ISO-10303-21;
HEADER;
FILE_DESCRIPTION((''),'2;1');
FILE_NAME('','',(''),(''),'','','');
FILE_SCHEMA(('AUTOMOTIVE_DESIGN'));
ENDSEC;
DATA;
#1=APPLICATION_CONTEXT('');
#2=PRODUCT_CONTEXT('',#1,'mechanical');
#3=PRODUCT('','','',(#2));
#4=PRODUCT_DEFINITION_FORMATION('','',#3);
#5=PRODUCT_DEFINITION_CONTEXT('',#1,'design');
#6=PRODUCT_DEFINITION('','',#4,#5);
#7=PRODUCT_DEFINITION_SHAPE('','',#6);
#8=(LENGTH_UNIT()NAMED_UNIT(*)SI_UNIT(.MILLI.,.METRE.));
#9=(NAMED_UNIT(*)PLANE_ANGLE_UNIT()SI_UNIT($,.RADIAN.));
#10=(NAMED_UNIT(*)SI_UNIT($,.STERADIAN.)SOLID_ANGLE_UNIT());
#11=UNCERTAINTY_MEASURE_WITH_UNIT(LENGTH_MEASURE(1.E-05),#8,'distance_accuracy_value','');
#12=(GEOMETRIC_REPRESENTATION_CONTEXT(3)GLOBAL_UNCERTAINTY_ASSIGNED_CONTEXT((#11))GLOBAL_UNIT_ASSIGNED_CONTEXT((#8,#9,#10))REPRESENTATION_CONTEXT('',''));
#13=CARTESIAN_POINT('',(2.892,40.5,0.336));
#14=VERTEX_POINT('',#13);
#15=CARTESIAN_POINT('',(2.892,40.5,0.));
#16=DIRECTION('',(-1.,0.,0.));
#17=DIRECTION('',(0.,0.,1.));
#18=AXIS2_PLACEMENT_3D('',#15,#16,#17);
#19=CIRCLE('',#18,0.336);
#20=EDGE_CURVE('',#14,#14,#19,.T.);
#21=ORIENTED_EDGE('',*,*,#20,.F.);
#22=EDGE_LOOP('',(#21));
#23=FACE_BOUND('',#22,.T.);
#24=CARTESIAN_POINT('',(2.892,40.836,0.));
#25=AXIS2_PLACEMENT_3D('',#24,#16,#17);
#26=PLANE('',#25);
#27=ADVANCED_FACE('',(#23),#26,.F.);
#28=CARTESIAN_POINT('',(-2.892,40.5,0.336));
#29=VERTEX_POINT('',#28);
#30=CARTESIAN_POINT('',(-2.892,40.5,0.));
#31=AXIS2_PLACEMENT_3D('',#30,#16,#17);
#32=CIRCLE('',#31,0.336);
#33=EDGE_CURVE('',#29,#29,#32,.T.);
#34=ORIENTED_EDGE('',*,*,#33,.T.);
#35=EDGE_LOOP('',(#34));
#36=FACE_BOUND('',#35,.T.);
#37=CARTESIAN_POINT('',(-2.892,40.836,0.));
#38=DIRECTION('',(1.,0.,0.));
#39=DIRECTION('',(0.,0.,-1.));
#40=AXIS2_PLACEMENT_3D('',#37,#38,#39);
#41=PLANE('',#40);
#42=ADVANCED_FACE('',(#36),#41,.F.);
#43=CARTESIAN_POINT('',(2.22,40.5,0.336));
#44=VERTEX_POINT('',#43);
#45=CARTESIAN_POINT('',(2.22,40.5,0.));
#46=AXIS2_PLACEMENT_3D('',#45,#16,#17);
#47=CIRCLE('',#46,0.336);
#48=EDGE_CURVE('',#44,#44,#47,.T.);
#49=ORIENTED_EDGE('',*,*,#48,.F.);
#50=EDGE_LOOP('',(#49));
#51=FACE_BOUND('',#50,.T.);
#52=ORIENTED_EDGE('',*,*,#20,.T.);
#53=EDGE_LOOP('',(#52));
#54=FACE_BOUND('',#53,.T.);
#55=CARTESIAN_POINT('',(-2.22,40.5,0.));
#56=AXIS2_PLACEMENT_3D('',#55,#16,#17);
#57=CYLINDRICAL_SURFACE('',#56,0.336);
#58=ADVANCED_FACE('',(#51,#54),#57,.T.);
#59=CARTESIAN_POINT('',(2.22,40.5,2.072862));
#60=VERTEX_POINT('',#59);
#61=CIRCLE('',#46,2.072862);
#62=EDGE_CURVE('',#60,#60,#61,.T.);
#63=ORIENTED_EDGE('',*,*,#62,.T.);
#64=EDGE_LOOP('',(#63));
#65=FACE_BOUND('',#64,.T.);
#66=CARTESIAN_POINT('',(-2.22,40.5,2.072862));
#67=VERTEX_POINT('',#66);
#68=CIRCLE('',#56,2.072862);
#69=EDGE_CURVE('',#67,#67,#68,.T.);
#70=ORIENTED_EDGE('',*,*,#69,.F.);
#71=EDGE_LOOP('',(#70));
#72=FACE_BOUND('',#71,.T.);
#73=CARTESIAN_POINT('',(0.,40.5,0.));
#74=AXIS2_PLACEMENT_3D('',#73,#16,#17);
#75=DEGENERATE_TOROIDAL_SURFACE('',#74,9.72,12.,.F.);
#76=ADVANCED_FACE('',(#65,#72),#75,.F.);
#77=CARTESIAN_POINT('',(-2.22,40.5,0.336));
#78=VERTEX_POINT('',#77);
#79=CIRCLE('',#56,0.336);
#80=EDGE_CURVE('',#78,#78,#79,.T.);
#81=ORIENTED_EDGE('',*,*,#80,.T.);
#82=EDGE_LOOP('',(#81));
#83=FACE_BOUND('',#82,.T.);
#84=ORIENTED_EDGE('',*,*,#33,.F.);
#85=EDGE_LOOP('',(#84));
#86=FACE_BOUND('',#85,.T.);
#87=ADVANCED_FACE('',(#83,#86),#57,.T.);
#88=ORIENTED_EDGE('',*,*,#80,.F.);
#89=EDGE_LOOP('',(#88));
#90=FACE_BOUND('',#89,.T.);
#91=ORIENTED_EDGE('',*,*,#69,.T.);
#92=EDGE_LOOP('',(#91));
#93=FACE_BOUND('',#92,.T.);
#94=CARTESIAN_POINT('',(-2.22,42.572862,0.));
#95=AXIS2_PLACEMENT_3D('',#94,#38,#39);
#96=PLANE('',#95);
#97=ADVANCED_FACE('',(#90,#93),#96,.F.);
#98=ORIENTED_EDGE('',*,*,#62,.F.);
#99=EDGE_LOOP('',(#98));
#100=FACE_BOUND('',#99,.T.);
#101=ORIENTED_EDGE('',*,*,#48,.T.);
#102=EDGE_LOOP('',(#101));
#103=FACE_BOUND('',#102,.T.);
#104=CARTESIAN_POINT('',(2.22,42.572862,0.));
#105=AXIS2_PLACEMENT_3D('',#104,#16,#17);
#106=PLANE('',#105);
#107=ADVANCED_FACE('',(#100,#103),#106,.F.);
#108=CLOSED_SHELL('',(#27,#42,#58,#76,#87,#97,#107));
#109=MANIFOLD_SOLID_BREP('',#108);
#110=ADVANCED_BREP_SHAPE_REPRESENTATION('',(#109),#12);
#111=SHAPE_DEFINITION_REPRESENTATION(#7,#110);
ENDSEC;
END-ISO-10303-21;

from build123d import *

# Parameters (mm, degrees)
SCALE1_SCALE = 0.24


with BuildPart() as part:
    # Sketch1 → Revolve1 (revolve)
    with BuildSketch(Plane.XY, mode=Mode.PRIVATE) as revolve1_sk:
        with BuildLine():
            Line((9.25, 49.136926033), (9.25, 41.9))
            Line((9.25, 41.9), (12.05, 41.9))
            Line((12.05, 41.9), (12.05, 40.5))
            Line((12.05, 40.5), (9.25, 40.5))
            Line((9.25, 40.5), (-9.25, 40.5))
            Line((-9.25, 40.5), (-12.05, 40.5))
            Line((-12.05, 40.5), (-12.05, 41.9))
            Line((-12.05, 41.9), (-9.25, 41.9))
            Line((-9.25, 41.9), (-9.25, 49.136926033))
            ThreePointArc((-9.25, 49.136926033), (0, 50), (9.25, 49.136926033))
        make_face()
    revolve(revolve1_sk.sketch.rotate(Axis((-9.25, 40.5, 0), (1, 0, 0)), 90), axis=Axis((-9.25, 40.5, 0), (1, 0, 0)))


with BuildPart() as part_1:
    # Scale1: scaled about (0, 40.5, 0)
    add(part.part.scale(SCALE1_SCALE).moved(Location((0, 30.78, 0))))


solid = part_1.part
